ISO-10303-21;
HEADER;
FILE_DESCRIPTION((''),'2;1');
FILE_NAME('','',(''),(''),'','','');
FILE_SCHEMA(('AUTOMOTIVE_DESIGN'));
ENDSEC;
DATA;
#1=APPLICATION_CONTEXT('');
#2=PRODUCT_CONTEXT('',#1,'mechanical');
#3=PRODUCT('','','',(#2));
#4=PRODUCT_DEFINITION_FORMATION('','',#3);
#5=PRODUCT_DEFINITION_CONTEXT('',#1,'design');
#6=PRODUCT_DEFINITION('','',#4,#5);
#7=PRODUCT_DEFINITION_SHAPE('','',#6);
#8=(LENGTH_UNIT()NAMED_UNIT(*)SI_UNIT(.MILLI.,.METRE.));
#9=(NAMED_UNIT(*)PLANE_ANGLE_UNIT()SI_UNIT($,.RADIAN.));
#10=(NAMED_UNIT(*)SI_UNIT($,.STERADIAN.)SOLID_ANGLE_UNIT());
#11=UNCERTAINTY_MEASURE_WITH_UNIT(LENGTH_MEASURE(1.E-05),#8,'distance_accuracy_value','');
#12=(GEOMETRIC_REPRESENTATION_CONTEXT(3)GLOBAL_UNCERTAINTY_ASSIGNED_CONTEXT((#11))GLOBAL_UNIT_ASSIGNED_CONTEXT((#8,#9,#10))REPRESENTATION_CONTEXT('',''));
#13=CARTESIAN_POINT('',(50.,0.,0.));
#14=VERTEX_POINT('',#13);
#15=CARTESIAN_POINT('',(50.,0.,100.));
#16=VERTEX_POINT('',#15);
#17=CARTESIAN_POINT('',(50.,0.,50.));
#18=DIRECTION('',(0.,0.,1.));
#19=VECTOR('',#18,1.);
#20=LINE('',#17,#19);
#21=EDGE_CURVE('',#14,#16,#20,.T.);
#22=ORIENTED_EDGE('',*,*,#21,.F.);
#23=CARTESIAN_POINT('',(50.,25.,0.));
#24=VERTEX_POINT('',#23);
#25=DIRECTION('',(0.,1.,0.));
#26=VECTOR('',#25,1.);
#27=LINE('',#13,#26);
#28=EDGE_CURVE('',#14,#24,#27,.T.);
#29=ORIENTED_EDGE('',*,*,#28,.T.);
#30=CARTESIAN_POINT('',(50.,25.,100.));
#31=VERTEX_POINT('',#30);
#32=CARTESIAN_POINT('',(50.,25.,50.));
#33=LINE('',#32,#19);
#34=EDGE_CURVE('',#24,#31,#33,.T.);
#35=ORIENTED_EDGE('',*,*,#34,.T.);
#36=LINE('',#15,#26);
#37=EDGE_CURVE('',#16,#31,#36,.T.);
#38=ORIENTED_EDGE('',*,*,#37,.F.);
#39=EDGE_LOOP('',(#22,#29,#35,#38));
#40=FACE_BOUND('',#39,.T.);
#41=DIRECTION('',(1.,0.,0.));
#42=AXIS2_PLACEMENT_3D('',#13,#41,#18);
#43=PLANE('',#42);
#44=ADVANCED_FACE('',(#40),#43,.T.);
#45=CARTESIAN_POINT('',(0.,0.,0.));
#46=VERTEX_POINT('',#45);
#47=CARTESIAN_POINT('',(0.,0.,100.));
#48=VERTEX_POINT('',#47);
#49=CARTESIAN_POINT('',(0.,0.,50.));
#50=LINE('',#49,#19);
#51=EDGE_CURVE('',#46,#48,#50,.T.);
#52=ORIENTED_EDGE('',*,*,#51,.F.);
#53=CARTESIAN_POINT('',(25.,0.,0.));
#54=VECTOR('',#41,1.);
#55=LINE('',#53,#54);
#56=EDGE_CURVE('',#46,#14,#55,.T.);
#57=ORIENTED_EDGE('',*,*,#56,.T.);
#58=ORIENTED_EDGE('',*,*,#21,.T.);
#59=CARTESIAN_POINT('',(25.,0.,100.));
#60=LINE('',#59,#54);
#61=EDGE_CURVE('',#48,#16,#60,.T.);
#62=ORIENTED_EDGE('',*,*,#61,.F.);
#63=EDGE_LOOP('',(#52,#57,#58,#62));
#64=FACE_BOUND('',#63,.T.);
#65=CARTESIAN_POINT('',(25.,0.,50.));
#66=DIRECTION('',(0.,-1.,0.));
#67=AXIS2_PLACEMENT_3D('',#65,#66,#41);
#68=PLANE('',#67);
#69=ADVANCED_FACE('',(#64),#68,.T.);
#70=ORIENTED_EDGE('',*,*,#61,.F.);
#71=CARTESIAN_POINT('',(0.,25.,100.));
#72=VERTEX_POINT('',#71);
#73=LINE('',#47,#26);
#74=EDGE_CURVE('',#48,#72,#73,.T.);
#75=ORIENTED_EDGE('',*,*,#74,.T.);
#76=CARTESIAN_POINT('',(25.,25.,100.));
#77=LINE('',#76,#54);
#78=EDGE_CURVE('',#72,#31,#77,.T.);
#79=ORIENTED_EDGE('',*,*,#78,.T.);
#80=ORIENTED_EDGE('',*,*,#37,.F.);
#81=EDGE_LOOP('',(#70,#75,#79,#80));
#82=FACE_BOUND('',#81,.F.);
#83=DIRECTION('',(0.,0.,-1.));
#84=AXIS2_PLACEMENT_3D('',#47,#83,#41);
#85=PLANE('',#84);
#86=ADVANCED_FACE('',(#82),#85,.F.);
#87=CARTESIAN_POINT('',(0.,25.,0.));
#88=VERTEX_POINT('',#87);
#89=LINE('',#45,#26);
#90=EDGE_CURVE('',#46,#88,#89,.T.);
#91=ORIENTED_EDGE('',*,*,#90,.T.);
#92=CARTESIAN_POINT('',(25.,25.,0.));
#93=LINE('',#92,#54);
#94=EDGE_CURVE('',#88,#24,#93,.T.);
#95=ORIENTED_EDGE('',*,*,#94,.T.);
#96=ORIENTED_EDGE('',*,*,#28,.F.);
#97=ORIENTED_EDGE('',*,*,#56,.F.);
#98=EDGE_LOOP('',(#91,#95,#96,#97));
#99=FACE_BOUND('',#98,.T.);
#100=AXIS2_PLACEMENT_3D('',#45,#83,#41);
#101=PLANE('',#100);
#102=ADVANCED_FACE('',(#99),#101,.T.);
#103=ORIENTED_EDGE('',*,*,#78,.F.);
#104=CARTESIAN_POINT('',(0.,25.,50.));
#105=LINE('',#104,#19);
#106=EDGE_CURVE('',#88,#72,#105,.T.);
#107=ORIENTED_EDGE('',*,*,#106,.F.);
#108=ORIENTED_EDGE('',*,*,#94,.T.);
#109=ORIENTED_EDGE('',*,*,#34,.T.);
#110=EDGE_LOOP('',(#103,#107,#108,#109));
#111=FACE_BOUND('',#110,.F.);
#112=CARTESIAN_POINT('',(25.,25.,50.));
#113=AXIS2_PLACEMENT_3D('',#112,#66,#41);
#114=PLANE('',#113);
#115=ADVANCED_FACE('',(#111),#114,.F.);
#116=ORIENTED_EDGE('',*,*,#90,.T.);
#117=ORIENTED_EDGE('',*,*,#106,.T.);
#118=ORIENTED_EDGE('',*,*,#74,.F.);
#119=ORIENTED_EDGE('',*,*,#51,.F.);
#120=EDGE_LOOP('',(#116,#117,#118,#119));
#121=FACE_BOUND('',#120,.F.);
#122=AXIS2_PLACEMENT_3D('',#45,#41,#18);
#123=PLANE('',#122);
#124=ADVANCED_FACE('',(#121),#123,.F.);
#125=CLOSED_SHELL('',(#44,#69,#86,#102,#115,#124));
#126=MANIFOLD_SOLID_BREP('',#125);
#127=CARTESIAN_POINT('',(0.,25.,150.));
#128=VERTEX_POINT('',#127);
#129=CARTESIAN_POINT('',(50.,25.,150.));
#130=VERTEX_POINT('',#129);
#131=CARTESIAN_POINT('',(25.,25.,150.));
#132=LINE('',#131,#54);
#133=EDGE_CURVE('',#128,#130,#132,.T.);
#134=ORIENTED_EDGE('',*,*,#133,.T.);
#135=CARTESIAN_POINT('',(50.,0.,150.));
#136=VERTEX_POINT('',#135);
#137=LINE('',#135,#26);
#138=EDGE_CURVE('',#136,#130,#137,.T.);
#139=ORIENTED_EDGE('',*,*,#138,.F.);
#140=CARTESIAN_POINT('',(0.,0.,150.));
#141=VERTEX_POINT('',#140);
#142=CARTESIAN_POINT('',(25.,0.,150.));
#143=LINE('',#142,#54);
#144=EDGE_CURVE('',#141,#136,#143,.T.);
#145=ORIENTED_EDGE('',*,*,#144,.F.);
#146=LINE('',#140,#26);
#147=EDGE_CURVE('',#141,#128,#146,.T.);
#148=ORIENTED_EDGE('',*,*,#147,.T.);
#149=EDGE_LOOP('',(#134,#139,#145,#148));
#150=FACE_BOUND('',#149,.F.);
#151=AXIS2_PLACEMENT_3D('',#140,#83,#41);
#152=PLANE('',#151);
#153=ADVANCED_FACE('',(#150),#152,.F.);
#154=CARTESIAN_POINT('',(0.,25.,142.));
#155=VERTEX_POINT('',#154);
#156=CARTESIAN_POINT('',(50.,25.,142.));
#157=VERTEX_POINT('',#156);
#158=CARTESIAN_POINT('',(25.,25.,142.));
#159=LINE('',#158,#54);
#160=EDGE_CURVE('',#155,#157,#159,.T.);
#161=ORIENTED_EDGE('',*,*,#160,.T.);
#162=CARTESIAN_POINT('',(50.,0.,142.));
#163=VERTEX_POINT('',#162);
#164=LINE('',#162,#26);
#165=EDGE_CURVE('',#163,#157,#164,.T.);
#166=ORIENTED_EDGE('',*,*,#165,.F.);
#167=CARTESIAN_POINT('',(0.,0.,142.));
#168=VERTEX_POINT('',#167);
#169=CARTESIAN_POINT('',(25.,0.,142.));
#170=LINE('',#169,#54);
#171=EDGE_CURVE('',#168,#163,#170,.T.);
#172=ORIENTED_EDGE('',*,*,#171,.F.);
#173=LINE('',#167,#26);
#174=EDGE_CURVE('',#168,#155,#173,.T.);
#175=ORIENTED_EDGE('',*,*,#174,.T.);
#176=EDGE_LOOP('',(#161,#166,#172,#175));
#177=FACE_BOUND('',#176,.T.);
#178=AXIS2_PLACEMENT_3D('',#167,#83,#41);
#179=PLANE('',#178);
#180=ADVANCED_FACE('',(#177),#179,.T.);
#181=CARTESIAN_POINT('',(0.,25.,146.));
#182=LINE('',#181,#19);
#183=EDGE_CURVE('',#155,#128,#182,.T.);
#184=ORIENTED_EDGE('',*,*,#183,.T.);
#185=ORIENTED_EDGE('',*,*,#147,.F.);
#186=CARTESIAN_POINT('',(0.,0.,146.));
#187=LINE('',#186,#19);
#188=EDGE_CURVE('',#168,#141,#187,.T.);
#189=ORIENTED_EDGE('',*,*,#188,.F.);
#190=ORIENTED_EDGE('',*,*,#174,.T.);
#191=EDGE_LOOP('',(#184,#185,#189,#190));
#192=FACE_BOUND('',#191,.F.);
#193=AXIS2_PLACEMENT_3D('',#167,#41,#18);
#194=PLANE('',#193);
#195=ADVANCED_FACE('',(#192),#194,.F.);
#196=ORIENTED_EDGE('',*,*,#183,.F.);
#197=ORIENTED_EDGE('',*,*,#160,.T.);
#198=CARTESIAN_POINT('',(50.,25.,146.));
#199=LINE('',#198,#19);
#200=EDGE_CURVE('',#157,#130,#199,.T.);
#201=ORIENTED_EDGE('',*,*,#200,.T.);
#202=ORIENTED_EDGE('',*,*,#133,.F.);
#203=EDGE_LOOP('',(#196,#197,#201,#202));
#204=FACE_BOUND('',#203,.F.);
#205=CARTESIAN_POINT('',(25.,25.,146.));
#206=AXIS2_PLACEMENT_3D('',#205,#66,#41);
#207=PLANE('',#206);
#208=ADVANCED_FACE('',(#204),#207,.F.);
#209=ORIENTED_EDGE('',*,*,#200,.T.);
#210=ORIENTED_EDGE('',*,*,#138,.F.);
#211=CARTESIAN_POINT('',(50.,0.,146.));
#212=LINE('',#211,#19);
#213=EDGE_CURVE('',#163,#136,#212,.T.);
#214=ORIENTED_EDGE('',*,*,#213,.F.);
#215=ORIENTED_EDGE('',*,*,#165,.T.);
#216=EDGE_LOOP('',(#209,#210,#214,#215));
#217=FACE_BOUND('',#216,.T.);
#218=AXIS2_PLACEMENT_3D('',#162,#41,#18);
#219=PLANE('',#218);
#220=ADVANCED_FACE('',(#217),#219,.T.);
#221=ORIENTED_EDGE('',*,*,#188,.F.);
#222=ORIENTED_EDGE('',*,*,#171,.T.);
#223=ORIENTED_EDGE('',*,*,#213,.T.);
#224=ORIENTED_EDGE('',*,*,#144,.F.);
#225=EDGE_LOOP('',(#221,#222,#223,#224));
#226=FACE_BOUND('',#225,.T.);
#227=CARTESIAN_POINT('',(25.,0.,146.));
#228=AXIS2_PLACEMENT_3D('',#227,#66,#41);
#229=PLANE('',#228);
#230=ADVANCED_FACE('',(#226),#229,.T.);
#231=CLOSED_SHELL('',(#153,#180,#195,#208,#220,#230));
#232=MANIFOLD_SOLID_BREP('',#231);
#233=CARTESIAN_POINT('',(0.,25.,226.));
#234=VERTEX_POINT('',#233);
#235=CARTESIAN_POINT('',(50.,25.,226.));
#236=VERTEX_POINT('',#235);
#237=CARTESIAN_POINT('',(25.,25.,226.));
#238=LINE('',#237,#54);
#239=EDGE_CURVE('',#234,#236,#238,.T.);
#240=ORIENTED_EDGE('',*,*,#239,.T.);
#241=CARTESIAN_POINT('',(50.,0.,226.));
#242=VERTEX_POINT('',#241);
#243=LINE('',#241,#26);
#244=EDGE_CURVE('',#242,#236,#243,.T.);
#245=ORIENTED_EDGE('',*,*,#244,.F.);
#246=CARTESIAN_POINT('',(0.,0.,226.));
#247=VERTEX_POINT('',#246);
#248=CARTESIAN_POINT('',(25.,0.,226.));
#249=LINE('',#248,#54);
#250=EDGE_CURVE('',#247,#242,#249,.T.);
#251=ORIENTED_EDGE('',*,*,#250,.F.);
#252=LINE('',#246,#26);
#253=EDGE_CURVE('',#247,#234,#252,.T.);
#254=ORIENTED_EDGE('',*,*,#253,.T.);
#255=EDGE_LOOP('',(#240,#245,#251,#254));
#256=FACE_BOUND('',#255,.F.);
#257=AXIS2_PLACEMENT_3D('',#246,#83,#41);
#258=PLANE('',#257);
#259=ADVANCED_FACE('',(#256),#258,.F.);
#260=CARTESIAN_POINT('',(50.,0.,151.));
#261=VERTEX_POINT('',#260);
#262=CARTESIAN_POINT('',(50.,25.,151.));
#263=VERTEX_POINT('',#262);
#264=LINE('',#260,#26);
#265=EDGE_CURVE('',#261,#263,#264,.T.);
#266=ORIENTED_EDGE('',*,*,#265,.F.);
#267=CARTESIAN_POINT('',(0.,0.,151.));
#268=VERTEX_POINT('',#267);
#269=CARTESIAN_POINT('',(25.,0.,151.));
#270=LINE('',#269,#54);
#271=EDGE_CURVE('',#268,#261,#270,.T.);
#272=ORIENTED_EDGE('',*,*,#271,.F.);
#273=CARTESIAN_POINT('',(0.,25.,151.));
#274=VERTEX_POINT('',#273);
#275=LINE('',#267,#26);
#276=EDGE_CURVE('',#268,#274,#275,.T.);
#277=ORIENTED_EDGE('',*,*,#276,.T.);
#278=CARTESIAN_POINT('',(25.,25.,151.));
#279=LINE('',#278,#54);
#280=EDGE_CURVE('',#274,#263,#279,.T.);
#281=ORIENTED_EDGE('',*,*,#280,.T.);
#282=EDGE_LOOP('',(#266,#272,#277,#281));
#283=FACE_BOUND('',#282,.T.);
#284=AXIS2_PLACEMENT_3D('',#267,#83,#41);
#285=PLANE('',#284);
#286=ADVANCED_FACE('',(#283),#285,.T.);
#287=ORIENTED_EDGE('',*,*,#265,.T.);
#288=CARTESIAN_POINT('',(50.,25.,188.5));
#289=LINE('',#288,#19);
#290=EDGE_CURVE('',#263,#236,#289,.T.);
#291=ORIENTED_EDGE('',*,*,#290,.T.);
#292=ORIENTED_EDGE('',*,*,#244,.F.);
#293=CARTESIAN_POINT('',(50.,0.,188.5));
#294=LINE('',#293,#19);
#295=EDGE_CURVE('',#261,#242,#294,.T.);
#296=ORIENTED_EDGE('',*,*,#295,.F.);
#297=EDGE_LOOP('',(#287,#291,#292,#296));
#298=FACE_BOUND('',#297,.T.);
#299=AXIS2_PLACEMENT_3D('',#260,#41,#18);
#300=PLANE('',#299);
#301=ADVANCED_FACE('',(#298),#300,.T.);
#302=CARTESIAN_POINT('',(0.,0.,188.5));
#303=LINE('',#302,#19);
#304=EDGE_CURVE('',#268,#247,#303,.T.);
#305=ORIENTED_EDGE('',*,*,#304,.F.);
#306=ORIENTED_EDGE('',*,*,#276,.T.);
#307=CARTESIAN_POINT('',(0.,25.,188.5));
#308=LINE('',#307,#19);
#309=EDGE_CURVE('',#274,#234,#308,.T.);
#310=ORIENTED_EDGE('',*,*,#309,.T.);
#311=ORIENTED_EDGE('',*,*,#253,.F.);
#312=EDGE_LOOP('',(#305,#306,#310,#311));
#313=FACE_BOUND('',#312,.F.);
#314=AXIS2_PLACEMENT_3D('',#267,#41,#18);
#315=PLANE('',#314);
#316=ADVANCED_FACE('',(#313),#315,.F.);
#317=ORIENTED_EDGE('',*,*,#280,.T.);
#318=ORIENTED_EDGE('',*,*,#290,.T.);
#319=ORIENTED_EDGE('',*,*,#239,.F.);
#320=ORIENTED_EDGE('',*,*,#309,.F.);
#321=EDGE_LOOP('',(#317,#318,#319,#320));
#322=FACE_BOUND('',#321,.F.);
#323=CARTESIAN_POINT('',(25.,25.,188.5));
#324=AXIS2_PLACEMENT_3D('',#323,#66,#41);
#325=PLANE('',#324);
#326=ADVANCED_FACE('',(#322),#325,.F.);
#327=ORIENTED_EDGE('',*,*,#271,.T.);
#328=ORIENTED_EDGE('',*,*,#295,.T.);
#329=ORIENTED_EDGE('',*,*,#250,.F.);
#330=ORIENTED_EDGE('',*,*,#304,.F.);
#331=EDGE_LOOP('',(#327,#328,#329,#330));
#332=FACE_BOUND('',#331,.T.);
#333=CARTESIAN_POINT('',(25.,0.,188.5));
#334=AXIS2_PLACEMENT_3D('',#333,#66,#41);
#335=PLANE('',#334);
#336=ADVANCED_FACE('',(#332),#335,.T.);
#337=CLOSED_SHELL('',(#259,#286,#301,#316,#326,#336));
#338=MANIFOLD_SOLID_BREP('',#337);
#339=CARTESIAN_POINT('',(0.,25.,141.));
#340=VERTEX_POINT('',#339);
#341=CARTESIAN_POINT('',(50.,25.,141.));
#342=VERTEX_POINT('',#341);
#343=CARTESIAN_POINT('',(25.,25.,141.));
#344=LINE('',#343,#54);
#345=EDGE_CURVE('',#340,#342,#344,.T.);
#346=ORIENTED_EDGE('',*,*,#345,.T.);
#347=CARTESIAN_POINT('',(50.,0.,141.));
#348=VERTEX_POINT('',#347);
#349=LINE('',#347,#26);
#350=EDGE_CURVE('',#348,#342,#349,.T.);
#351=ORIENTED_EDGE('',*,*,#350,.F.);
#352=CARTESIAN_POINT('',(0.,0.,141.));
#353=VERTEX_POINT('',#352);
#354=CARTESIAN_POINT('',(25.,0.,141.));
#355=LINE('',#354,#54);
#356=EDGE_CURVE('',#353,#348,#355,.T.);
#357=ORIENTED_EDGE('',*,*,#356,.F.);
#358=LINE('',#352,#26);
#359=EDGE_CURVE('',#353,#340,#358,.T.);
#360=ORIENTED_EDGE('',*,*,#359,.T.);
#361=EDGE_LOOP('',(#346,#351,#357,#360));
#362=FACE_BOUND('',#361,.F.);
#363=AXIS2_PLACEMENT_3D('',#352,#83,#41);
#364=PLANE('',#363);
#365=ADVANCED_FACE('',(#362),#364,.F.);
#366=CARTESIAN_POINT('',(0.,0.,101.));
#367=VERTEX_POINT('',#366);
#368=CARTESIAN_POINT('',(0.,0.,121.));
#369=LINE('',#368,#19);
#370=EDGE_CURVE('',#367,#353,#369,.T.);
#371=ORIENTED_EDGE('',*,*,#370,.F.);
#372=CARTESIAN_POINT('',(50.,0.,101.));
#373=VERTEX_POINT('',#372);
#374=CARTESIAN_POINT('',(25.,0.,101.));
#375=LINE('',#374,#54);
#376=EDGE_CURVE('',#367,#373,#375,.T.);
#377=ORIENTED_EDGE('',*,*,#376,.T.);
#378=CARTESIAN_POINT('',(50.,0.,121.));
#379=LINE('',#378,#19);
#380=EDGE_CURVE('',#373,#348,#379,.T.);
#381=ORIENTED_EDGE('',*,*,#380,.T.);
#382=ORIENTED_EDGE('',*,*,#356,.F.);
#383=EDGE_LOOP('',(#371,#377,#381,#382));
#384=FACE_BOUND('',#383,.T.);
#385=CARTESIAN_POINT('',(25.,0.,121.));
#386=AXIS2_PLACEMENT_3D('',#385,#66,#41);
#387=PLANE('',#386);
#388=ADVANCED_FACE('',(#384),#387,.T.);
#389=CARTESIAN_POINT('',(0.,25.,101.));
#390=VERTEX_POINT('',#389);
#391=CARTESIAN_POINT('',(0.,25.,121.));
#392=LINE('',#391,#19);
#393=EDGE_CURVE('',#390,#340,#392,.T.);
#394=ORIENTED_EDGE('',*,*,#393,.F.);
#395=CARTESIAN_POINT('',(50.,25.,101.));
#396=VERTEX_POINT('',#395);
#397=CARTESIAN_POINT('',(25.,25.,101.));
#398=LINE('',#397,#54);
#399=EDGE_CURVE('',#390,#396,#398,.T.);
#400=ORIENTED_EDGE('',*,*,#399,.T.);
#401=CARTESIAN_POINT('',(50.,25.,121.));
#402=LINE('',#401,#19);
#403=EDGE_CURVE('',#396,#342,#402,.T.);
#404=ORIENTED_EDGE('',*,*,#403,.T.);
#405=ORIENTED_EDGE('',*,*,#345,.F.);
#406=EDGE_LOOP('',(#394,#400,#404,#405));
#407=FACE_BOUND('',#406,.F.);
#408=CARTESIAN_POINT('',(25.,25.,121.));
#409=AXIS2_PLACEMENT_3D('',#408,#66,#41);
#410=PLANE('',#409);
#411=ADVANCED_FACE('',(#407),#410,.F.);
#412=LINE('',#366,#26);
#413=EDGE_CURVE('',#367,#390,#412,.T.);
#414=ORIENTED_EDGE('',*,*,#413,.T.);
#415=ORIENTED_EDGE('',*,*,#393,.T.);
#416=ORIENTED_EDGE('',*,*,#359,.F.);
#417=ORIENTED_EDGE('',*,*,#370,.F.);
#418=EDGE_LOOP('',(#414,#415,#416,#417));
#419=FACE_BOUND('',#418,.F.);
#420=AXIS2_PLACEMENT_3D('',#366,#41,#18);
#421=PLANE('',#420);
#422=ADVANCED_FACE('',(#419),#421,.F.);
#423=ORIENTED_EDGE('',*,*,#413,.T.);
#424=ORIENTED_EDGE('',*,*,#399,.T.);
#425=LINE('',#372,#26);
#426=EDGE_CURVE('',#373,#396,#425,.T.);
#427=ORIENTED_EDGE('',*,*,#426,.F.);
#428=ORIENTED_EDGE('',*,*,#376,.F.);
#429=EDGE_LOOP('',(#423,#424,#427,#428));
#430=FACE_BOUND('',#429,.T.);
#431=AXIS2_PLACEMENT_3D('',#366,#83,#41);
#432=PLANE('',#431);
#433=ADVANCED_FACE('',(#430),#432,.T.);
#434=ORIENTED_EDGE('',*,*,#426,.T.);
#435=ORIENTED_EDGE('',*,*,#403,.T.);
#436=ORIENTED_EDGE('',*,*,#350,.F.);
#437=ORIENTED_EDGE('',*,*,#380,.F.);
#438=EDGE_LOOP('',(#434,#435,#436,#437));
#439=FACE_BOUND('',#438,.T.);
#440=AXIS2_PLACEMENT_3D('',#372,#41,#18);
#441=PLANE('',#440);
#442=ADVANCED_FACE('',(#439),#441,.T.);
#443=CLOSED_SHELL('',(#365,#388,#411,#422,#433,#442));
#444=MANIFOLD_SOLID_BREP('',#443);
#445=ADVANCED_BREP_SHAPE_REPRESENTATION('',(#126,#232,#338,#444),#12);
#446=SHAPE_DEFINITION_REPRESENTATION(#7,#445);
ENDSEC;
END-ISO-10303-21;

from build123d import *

# Parameters (mm, degrees)
F0_W     = 50
F0_H     = 100
F0_H_2   = 40
F0_H_3   = 8
F0_H_4   = 75
F1_DEPTH = 25


with BuildPart() as f1:
    # F0 (on Front) → F1 (new body)
    with BuildSketch(Plane.XZ):
        with Locations((25, 50)):
            Rectangle(F0_W, F0_H)
        with Locations((25, 121)):
            Rectangle(F0_W, F0_H_2)
        with Locations((25, 146)):
            Rectangle(F0_W, F0_H_3)
        with Locations((25, 188.5)):
            Rectangle(F0_W, F0_H_4)
    extrude(amount=-F1_DEPTH)


solid = f1.part
